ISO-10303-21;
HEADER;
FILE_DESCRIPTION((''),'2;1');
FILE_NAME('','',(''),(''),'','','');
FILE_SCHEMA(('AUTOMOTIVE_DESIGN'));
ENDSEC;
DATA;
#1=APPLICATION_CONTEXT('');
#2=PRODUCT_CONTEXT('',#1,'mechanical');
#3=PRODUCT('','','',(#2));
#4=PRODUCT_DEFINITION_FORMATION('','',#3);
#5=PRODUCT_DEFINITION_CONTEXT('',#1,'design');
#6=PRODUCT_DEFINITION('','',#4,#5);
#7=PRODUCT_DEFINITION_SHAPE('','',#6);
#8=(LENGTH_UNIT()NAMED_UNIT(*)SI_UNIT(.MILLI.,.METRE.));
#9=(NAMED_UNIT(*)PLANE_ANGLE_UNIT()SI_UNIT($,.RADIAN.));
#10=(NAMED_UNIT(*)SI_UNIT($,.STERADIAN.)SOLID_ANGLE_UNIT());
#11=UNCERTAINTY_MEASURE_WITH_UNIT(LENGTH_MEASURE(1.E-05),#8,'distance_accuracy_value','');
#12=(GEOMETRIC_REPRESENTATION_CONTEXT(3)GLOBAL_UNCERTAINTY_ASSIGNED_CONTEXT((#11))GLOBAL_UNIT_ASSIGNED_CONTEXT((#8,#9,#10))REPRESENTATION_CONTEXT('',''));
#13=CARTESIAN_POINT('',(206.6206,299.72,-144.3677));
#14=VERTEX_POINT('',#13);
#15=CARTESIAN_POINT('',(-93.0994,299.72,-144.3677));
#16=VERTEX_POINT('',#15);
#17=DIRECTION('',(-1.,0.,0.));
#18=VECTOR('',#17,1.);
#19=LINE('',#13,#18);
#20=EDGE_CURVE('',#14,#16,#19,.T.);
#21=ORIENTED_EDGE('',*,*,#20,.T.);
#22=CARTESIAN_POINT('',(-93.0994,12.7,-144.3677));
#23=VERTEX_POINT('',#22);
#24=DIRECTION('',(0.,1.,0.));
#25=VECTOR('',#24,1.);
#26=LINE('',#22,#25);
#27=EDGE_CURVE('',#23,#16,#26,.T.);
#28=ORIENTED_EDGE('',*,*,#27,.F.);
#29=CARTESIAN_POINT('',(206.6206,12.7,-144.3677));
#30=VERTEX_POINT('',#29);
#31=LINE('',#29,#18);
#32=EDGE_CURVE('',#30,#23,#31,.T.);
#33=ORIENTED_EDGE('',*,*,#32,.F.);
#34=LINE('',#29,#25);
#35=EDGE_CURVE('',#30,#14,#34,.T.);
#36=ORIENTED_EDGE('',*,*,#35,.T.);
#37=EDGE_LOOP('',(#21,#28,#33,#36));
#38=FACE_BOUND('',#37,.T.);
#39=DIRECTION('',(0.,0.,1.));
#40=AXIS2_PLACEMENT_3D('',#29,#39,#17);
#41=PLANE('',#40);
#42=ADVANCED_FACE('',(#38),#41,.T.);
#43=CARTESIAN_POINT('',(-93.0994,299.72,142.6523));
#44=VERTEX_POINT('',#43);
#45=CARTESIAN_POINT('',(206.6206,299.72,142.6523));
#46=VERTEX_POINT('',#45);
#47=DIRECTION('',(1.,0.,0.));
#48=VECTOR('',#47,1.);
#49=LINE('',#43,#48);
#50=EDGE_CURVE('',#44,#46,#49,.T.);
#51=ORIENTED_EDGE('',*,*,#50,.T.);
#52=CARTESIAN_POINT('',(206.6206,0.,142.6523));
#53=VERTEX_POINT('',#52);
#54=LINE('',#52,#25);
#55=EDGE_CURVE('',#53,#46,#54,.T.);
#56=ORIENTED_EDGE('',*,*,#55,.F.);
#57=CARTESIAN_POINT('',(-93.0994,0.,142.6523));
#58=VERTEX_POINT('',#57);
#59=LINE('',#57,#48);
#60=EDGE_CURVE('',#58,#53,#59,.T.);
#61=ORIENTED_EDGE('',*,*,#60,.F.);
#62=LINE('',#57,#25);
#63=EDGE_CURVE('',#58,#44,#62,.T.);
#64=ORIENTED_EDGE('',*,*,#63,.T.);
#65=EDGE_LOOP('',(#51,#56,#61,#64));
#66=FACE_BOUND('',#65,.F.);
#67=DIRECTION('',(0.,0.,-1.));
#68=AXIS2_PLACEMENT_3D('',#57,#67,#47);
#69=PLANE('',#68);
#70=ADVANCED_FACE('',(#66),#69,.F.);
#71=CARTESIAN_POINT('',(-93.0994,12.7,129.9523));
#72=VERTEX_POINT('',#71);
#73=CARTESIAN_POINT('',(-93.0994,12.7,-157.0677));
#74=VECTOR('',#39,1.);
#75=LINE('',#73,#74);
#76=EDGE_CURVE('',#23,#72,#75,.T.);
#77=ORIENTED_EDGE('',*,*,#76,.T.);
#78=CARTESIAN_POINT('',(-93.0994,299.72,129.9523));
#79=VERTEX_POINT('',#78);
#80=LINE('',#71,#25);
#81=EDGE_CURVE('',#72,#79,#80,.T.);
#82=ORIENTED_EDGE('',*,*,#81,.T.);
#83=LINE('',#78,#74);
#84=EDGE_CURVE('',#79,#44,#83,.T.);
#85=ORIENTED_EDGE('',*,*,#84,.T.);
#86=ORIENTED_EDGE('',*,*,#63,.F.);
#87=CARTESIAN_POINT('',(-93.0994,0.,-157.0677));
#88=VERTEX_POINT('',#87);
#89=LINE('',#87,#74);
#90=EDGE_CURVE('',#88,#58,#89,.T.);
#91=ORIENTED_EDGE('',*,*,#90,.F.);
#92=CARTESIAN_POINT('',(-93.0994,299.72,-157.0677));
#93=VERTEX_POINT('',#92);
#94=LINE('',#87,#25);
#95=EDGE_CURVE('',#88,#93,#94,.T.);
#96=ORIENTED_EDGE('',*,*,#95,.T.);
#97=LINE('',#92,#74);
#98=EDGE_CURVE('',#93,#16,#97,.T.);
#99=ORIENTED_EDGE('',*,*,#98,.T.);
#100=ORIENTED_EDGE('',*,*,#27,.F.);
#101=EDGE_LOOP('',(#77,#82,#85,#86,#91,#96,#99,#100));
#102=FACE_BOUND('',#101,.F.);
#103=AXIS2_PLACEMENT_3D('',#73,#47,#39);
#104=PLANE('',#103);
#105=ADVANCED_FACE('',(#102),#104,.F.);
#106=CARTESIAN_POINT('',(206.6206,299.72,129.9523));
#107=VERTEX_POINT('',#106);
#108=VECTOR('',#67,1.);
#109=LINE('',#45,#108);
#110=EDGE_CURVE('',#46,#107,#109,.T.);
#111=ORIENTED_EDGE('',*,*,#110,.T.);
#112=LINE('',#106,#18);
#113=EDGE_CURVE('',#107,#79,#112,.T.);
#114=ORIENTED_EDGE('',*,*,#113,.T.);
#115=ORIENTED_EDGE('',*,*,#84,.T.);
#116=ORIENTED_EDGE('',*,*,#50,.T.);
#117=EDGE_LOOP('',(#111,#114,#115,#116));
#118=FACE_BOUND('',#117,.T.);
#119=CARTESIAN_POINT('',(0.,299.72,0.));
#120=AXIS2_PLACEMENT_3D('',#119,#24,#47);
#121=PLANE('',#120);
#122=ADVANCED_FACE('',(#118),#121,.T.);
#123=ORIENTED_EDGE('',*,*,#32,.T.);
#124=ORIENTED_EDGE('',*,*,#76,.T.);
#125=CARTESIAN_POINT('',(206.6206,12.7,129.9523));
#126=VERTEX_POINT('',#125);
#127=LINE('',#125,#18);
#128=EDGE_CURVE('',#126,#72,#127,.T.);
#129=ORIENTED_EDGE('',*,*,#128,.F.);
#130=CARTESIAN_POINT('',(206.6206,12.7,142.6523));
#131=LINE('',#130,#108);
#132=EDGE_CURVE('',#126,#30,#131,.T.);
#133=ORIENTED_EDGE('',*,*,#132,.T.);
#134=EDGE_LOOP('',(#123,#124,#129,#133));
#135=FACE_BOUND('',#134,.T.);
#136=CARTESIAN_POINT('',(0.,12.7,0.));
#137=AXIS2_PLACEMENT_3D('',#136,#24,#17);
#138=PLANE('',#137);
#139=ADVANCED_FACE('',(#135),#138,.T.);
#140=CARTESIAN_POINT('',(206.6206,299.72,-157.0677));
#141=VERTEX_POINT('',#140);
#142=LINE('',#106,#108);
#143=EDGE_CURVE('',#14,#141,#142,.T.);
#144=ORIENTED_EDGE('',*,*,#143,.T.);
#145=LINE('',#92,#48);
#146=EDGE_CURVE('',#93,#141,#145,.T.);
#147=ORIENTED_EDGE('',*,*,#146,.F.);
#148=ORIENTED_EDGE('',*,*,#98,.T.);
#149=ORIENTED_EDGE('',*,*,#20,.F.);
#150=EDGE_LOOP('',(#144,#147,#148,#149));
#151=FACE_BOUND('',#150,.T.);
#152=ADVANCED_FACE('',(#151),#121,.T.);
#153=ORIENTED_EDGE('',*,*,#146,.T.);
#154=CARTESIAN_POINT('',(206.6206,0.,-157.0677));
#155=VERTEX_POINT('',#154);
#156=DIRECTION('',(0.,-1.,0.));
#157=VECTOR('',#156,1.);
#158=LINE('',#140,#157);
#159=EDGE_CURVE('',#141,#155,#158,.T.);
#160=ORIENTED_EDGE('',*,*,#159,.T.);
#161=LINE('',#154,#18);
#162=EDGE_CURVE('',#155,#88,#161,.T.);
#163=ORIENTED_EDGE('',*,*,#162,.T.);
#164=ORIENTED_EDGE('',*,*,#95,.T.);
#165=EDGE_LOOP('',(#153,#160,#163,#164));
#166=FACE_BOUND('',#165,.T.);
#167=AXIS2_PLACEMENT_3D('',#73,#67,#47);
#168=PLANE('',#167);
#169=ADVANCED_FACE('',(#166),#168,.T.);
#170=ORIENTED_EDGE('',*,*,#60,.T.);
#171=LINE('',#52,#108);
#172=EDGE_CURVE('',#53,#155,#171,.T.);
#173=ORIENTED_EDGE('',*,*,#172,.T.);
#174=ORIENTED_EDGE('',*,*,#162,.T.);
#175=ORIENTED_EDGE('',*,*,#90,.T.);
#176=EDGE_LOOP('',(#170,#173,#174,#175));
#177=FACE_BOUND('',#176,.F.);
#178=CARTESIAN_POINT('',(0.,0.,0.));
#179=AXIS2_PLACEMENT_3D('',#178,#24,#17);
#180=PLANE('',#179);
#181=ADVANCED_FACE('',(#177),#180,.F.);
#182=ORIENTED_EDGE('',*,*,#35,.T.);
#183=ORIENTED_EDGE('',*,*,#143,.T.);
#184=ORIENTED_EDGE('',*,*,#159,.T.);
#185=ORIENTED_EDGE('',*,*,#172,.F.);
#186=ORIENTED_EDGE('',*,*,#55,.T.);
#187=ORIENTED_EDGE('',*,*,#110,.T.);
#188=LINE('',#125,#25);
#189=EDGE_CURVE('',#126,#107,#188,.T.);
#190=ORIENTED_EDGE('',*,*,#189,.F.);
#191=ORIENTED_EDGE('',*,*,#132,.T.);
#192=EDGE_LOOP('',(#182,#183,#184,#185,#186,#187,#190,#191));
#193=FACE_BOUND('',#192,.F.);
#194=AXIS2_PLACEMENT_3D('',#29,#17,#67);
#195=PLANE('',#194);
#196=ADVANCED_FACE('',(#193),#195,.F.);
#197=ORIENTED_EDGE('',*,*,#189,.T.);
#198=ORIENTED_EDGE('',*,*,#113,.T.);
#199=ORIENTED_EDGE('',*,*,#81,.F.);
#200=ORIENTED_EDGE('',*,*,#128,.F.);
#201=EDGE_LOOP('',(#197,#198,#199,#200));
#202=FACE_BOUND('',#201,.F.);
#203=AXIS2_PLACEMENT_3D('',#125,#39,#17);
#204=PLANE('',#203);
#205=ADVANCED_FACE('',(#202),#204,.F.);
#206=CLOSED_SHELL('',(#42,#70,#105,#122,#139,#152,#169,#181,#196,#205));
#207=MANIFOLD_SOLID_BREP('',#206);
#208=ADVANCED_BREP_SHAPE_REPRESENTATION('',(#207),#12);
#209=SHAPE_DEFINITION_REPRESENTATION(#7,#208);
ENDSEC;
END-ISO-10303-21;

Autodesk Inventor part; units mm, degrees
ref_plane "YZ Plane" through (0, 0, 0) normal (1, 0, 0) x (0, 1, 0)
ref_plane "XZ Plane" through (0, 0, 0) normal (0, 1, 0) x (-1, 0, 0)
ref_plane "XY Plane" through (0, 0, 0) normal (0, 0, 1) x (1, 0, 0)
sketch "Sketch1" plane through (0, 0, 0) normal (0, 1, 0) x (-1, 0, 0)
  line L0 (93.0994, 142.6523) -> (-206.6206, 142.6523)
  line L1 (-206.6206, 142.6523) -> (-206.6206, -157.0677)
  line L2 (-206.6206, -157.0677) -> (93.0994, -157.0677)
  line L3 (93.0994, -157.0677) -> (93.0994, 142.6523)
  point P0 (0, 0)
  dimension "d0" = 299.72
  dimension "d1" = 299.72
extrude "Extrusion1" add sketch "Sketch1" along normal blind 12.7
sketch "Sketch2" plane through (0, 12.7, 0) normal (0, 1, 0) x (1, 0, 0)
  line L0 (-93.0994, -142.6523) -> (206.6206, -142.6523) projected
  line L1 (206.6206, -142.6523) -> (206.6206, 157.0677) projected
  line L2 (-93.0994, -142.6523) -> (206.6206, -142.6523)
  line L3 (206.6206, -142.6523) -> (206.6206, -129.9523)
  line L4 (206.6206, -129.9523) -> (-93.0994, -129.9523)
  line L5 (-93.0994, -129.9523) -> (-93.0994, -142.6523)
  point P0 (0, 0)
  dimension "d4" = 12.7
extrude "Extrusion2" add sketch "Sketch2" along normal blind 287.02
sketch "Sketch3" plane through (0, 12.7, 0) normal (0, 1, 0) x (1, 0, 0)
  line L0 (-93.0994, 157.0677) -> (-93.0994, -129.9523) projected
  line L1 (206.6206, -129.9523) -> (206.6206, 157.0677) projected
  line L2 (-93.0994, 157.0677) -> (206.6206, 157.0677)
  line L3 (206.6206, 157.0677) -> (206.6206, 144.3677)
  line L4 (206.6206, 144.3677) -> (-93.0994, 144.3677)
  line L5 (-93.0994, 144.3677) -> (-93.0994, 157.0677)
  point P0 (0, 0)
  dimension "d7" = 12.7
extrude "Extrusion3" add sketch "Sketch3" along normal blind 287.02
properties part number "chassisFloor"
